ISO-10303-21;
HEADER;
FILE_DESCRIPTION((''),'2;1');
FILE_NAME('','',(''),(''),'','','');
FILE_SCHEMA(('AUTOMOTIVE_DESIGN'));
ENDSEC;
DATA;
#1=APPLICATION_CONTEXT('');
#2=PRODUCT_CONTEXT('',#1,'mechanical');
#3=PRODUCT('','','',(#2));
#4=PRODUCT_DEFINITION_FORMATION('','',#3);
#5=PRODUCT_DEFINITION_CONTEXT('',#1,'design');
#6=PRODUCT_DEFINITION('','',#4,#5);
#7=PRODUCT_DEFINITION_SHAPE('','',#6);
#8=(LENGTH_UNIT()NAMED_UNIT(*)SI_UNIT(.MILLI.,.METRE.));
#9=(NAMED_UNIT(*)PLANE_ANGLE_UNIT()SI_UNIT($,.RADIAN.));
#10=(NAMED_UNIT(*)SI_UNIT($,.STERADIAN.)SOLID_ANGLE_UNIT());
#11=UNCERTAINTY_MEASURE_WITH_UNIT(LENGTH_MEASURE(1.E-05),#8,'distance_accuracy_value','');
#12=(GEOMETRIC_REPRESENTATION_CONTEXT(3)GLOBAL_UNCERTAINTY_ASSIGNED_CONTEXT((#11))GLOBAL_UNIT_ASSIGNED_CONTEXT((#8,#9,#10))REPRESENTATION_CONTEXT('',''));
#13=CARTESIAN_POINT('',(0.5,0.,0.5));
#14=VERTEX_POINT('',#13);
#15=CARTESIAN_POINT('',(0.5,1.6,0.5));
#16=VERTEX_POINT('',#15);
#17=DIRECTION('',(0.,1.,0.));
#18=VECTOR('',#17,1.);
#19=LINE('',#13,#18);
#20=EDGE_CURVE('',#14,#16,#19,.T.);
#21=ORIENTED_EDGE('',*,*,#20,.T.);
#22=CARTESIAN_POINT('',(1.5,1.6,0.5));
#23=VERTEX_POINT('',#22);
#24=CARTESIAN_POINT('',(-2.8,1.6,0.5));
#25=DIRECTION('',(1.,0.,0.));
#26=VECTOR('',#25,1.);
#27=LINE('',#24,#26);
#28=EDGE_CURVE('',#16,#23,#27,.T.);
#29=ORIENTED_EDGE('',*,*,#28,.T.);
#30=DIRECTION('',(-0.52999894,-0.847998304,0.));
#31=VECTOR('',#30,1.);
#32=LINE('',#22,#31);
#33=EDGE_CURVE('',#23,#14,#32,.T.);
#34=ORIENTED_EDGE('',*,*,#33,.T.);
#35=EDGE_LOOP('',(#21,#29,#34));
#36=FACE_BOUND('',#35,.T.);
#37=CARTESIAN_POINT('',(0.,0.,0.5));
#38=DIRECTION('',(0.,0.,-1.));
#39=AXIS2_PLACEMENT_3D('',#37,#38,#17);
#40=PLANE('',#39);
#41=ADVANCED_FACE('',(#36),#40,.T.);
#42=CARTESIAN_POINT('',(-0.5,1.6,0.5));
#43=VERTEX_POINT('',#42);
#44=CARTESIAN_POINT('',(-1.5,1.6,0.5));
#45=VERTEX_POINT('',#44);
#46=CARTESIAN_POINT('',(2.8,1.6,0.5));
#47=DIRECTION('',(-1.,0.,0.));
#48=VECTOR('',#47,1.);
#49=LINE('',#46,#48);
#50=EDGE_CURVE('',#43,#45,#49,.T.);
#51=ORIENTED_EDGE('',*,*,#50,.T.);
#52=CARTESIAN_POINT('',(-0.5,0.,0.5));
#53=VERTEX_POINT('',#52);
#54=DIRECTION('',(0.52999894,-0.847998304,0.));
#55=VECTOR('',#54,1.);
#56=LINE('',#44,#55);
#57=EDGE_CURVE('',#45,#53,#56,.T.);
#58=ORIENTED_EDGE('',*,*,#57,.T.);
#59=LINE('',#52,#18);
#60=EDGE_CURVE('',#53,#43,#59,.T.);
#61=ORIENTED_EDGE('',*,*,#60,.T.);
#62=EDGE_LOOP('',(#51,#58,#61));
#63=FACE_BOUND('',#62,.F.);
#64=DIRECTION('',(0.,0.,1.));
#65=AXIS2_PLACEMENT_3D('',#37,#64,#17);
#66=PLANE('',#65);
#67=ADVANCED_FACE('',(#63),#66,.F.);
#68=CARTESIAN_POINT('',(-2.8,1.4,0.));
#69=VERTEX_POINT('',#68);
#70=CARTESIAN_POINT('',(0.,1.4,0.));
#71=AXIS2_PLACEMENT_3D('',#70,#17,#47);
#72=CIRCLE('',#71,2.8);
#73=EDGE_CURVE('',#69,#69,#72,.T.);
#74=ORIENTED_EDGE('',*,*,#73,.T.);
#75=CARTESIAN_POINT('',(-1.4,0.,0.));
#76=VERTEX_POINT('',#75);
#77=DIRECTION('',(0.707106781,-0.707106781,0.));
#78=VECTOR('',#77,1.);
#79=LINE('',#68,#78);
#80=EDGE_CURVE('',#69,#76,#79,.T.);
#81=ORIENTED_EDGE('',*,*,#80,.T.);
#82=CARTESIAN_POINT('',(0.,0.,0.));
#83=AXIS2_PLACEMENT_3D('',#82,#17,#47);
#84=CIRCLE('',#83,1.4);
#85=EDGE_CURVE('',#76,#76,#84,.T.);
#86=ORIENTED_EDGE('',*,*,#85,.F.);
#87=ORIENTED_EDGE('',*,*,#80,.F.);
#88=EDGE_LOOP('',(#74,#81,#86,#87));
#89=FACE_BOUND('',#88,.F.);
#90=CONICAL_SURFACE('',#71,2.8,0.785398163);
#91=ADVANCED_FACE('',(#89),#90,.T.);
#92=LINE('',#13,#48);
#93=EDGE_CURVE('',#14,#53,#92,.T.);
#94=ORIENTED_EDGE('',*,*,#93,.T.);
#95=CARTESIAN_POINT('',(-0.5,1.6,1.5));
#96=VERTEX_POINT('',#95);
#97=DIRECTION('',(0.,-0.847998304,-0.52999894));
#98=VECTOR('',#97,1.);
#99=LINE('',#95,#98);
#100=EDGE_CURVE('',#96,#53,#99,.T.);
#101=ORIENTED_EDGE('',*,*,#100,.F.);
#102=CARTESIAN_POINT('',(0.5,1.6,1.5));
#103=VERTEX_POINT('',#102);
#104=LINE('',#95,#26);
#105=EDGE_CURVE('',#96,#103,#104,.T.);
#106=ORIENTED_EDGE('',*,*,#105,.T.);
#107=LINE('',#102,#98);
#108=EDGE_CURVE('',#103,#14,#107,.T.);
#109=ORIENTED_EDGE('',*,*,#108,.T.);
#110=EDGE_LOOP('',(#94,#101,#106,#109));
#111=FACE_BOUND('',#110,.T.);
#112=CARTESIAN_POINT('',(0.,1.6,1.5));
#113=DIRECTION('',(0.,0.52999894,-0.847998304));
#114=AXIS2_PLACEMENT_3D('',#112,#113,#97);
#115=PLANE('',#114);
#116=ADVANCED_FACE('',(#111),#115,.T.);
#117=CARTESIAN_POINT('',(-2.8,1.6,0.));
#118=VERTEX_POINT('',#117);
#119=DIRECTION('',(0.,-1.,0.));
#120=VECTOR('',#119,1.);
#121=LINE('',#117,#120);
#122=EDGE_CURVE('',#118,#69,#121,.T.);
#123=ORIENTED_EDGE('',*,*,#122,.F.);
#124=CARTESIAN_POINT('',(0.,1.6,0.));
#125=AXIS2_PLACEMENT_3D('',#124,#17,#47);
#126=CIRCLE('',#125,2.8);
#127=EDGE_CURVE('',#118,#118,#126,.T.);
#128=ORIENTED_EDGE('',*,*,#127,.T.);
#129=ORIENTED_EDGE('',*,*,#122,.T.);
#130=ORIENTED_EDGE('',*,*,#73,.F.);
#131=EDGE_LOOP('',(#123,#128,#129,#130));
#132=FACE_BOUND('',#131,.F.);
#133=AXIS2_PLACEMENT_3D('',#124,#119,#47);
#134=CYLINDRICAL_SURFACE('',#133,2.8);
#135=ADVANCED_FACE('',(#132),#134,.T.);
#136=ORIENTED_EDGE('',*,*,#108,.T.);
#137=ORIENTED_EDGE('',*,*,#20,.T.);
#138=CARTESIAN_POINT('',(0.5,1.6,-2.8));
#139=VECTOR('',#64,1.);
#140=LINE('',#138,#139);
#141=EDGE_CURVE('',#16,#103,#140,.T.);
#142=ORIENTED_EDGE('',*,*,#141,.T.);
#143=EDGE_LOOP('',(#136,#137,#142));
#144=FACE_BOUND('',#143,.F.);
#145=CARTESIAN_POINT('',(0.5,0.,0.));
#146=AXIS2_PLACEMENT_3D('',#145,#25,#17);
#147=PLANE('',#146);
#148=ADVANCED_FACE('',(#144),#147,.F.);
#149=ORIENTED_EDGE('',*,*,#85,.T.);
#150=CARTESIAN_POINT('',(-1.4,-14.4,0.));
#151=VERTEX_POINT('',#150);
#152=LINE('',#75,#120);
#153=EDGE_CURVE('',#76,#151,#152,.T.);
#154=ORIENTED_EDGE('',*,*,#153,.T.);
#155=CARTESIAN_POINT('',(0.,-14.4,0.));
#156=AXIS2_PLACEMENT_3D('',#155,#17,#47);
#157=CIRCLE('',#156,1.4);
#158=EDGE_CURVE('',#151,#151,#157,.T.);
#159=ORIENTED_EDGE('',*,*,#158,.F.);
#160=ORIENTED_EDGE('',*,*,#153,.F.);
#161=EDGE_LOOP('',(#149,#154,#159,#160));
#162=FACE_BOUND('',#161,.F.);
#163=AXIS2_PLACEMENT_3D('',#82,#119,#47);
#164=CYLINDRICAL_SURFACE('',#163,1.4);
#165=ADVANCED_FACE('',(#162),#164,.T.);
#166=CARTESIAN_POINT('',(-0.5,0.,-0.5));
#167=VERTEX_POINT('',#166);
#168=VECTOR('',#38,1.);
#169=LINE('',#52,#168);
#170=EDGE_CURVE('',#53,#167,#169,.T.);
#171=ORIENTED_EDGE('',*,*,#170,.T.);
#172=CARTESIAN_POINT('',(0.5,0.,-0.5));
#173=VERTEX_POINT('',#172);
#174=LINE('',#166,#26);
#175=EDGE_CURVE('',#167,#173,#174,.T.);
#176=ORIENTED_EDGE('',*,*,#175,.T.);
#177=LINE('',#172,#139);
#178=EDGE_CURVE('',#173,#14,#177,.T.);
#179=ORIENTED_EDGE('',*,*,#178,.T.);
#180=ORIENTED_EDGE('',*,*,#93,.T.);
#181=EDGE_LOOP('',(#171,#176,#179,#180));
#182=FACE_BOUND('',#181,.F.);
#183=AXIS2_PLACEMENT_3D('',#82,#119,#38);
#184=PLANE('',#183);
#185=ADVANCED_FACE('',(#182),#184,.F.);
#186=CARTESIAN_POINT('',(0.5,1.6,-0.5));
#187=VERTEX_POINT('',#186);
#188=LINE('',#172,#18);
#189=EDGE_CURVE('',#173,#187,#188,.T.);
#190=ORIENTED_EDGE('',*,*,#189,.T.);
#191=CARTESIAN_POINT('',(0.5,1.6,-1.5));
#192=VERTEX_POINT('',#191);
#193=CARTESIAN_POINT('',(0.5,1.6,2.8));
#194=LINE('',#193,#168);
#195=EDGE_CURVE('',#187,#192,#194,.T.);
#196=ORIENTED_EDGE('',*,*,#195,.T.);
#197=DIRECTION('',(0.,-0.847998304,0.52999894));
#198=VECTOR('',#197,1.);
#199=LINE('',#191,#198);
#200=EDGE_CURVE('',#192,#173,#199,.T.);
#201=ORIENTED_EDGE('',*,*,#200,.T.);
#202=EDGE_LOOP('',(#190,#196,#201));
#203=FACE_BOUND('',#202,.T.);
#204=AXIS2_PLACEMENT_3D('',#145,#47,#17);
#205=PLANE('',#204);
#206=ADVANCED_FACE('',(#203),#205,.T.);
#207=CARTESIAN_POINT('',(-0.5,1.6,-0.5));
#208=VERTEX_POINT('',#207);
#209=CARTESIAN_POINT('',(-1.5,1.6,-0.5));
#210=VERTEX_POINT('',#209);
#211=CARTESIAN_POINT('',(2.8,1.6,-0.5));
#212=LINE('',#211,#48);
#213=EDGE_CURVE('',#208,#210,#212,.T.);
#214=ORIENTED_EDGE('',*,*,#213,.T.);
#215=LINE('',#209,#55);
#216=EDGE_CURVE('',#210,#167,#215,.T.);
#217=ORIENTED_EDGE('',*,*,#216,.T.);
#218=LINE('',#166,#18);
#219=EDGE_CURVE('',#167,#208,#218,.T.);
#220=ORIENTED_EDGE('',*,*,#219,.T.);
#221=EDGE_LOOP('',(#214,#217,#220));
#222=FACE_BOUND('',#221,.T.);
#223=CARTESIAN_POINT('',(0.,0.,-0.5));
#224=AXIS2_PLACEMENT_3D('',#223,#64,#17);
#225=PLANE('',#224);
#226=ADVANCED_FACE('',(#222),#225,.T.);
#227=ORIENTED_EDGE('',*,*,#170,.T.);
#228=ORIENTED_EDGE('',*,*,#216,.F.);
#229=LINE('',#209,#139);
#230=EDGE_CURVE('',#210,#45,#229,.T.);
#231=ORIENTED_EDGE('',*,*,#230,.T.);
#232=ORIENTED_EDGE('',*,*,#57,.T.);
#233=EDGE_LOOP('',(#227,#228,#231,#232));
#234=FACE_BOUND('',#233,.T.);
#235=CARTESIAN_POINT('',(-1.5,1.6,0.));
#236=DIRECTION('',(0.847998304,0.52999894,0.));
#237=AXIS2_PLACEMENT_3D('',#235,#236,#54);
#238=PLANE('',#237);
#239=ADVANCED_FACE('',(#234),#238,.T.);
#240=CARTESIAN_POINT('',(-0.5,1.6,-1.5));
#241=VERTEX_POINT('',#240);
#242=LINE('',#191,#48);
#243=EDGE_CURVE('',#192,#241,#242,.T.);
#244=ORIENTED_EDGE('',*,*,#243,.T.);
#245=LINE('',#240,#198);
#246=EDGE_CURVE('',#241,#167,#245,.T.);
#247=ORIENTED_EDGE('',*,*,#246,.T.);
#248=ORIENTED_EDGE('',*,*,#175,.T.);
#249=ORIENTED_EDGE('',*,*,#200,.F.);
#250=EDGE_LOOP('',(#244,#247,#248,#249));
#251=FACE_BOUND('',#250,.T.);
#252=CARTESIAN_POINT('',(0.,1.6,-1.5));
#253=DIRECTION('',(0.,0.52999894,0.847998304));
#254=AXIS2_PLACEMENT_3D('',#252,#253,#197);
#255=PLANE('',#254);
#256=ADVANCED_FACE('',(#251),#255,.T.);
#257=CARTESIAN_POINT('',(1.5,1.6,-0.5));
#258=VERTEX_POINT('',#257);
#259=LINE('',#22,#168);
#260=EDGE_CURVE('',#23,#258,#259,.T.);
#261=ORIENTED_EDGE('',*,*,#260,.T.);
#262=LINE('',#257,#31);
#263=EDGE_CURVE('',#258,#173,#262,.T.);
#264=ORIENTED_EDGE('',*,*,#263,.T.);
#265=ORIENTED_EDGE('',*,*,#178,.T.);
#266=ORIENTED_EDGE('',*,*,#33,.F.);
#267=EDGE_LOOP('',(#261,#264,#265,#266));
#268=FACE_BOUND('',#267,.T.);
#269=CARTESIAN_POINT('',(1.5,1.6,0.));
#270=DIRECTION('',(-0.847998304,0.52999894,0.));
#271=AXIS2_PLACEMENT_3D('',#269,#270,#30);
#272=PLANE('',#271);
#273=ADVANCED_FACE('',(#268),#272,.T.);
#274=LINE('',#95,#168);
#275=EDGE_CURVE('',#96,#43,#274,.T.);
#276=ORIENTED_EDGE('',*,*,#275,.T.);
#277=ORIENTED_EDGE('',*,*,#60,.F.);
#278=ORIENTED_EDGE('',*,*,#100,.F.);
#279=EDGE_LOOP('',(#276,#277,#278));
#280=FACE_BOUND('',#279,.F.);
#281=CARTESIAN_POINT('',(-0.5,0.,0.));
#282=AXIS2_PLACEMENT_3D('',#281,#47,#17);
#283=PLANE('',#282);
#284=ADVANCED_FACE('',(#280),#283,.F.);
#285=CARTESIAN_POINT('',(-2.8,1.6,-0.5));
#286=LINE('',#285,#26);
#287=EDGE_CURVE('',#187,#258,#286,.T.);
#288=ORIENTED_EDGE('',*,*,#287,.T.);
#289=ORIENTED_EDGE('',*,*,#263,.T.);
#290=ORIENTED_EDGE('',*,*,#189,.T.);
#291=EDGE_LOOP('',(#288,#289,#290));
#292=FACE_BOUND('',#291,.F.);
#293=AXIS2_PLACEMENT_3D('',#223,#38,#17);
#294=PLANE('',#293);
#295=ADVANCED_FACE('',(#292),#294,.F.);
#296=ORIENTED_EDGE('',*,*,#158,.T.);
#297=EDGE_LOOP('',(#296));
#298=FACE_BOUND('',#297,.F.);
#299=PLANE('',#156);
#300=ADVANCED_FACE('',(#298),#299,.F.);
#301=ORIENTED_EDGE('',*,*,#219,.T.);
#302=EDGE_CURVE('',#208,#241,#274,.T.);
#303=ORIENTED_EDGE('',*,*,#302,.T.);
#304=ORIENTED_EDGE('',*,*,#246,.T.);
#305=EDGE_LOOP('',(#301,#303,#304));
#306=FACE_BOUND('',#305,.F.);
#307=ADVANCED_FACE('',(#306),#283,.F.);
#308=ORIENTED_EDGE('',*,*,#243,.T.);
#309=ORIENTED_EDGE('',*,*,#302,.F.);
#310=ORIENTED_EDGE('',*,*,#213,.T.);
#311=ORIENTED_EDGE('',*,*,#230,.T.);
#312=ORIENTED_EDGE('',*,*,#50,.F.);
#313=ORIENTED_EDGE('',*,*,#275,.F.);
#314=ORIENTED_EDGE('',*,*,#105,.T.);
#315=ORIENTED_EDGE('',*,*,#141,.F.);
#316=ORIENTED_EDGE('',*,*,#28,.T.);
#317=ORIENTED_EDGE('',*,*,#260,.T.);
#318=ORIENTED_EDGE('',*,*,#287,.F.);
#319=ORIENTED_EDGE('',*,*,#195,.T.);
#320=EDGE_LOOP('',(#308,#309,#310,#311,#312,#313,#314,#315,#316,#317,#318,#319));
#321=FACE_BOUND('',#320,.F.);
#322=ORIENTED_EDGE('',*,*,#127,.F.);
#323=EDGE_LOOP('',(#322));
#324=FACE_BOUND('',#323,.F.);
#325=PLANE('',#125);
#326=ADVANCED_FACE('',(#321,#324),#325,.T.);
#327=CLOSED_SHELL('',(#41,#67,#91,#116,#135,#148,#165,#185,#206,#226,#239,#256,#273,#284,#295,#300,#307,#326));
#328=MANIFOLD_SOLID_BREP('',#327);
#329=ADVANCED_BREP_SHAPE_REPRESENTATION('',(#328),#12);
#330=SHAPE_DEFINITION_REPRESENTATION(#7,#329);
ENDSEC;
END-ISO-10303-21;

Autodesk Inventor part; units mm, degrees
ref_plane "YZ Plane" through (0, 0, 0) normal (1, 0, 0) x (0, 1, 0)
ref_plane "XZ Plane" through (0, 0, 0) normal (0, 1, 0) x (-1, 0, 0)
ref_plane "XY Plane" through (0, 0, 0) normal (0, 0, 1) x (1, 0, 0)
sketch "Эскиз1" plane through (0, 0, 0) normal (0, 0, 1) x (1, 0, 0)
  line L0 (-1.4, 0) -> (-1.4, -14.4)
  line L1 (-1.4, -14.4) -> (0, -14.4)
  line L2 (0, -14.4) -> (0, 1.6)
  line L3 (0, 1.6) -> (-2.8, 1.6)
  line L4 (-2.8, 1.6) -> (-2.8, 1.4)
  line L5 (-2.8, 1.4) -> (-1.4, 0)
  point P0 (0, 0)
  dimension "d0" = 2.8
  dimension "d2" = 45
  dimension "d3" = 1.6
  dimension "d4" = 16
  dimension "d5" = 5.6
revolve "Вращение1" add sketch "Эскиз1" angle 360 about axis through (0, -14.4, 0) along (0, 1, 0)
sketch "Эскиз2" plane through (0, 0, 0) normal (1, 0, 0) x (0, 1, 0)
  line L0 (1.6, -2.8) -> (1.6, 2.8) projected
  line L1 (1.6, 1.5) -> (1.6, 0)
  line L2 (0, 0) -> (1.6, 0)
  line L3 (1.6, 1.5) -> (0, 0.5)
  line L4 (0, -1.4) -> (0, 1.4) projected
  line L5 (0, 0) -> (0, 0.5)
  dimension "d7" = 1.5
  dimension "d13" = 0.5
extrude "Выдавливание1" cut sketch "Эскиз2" along normal mid plane 1
pattern_circular "Круговой массив1" count 4 over 360 about axis through (0, -10, 0) along (0, 1, 0) of "Выдавливание1"
thread "Резьба1" size "M3x0.5" class "6g" standard "ANSI Metric M Profile" full length
properties part number "M3x10P"
